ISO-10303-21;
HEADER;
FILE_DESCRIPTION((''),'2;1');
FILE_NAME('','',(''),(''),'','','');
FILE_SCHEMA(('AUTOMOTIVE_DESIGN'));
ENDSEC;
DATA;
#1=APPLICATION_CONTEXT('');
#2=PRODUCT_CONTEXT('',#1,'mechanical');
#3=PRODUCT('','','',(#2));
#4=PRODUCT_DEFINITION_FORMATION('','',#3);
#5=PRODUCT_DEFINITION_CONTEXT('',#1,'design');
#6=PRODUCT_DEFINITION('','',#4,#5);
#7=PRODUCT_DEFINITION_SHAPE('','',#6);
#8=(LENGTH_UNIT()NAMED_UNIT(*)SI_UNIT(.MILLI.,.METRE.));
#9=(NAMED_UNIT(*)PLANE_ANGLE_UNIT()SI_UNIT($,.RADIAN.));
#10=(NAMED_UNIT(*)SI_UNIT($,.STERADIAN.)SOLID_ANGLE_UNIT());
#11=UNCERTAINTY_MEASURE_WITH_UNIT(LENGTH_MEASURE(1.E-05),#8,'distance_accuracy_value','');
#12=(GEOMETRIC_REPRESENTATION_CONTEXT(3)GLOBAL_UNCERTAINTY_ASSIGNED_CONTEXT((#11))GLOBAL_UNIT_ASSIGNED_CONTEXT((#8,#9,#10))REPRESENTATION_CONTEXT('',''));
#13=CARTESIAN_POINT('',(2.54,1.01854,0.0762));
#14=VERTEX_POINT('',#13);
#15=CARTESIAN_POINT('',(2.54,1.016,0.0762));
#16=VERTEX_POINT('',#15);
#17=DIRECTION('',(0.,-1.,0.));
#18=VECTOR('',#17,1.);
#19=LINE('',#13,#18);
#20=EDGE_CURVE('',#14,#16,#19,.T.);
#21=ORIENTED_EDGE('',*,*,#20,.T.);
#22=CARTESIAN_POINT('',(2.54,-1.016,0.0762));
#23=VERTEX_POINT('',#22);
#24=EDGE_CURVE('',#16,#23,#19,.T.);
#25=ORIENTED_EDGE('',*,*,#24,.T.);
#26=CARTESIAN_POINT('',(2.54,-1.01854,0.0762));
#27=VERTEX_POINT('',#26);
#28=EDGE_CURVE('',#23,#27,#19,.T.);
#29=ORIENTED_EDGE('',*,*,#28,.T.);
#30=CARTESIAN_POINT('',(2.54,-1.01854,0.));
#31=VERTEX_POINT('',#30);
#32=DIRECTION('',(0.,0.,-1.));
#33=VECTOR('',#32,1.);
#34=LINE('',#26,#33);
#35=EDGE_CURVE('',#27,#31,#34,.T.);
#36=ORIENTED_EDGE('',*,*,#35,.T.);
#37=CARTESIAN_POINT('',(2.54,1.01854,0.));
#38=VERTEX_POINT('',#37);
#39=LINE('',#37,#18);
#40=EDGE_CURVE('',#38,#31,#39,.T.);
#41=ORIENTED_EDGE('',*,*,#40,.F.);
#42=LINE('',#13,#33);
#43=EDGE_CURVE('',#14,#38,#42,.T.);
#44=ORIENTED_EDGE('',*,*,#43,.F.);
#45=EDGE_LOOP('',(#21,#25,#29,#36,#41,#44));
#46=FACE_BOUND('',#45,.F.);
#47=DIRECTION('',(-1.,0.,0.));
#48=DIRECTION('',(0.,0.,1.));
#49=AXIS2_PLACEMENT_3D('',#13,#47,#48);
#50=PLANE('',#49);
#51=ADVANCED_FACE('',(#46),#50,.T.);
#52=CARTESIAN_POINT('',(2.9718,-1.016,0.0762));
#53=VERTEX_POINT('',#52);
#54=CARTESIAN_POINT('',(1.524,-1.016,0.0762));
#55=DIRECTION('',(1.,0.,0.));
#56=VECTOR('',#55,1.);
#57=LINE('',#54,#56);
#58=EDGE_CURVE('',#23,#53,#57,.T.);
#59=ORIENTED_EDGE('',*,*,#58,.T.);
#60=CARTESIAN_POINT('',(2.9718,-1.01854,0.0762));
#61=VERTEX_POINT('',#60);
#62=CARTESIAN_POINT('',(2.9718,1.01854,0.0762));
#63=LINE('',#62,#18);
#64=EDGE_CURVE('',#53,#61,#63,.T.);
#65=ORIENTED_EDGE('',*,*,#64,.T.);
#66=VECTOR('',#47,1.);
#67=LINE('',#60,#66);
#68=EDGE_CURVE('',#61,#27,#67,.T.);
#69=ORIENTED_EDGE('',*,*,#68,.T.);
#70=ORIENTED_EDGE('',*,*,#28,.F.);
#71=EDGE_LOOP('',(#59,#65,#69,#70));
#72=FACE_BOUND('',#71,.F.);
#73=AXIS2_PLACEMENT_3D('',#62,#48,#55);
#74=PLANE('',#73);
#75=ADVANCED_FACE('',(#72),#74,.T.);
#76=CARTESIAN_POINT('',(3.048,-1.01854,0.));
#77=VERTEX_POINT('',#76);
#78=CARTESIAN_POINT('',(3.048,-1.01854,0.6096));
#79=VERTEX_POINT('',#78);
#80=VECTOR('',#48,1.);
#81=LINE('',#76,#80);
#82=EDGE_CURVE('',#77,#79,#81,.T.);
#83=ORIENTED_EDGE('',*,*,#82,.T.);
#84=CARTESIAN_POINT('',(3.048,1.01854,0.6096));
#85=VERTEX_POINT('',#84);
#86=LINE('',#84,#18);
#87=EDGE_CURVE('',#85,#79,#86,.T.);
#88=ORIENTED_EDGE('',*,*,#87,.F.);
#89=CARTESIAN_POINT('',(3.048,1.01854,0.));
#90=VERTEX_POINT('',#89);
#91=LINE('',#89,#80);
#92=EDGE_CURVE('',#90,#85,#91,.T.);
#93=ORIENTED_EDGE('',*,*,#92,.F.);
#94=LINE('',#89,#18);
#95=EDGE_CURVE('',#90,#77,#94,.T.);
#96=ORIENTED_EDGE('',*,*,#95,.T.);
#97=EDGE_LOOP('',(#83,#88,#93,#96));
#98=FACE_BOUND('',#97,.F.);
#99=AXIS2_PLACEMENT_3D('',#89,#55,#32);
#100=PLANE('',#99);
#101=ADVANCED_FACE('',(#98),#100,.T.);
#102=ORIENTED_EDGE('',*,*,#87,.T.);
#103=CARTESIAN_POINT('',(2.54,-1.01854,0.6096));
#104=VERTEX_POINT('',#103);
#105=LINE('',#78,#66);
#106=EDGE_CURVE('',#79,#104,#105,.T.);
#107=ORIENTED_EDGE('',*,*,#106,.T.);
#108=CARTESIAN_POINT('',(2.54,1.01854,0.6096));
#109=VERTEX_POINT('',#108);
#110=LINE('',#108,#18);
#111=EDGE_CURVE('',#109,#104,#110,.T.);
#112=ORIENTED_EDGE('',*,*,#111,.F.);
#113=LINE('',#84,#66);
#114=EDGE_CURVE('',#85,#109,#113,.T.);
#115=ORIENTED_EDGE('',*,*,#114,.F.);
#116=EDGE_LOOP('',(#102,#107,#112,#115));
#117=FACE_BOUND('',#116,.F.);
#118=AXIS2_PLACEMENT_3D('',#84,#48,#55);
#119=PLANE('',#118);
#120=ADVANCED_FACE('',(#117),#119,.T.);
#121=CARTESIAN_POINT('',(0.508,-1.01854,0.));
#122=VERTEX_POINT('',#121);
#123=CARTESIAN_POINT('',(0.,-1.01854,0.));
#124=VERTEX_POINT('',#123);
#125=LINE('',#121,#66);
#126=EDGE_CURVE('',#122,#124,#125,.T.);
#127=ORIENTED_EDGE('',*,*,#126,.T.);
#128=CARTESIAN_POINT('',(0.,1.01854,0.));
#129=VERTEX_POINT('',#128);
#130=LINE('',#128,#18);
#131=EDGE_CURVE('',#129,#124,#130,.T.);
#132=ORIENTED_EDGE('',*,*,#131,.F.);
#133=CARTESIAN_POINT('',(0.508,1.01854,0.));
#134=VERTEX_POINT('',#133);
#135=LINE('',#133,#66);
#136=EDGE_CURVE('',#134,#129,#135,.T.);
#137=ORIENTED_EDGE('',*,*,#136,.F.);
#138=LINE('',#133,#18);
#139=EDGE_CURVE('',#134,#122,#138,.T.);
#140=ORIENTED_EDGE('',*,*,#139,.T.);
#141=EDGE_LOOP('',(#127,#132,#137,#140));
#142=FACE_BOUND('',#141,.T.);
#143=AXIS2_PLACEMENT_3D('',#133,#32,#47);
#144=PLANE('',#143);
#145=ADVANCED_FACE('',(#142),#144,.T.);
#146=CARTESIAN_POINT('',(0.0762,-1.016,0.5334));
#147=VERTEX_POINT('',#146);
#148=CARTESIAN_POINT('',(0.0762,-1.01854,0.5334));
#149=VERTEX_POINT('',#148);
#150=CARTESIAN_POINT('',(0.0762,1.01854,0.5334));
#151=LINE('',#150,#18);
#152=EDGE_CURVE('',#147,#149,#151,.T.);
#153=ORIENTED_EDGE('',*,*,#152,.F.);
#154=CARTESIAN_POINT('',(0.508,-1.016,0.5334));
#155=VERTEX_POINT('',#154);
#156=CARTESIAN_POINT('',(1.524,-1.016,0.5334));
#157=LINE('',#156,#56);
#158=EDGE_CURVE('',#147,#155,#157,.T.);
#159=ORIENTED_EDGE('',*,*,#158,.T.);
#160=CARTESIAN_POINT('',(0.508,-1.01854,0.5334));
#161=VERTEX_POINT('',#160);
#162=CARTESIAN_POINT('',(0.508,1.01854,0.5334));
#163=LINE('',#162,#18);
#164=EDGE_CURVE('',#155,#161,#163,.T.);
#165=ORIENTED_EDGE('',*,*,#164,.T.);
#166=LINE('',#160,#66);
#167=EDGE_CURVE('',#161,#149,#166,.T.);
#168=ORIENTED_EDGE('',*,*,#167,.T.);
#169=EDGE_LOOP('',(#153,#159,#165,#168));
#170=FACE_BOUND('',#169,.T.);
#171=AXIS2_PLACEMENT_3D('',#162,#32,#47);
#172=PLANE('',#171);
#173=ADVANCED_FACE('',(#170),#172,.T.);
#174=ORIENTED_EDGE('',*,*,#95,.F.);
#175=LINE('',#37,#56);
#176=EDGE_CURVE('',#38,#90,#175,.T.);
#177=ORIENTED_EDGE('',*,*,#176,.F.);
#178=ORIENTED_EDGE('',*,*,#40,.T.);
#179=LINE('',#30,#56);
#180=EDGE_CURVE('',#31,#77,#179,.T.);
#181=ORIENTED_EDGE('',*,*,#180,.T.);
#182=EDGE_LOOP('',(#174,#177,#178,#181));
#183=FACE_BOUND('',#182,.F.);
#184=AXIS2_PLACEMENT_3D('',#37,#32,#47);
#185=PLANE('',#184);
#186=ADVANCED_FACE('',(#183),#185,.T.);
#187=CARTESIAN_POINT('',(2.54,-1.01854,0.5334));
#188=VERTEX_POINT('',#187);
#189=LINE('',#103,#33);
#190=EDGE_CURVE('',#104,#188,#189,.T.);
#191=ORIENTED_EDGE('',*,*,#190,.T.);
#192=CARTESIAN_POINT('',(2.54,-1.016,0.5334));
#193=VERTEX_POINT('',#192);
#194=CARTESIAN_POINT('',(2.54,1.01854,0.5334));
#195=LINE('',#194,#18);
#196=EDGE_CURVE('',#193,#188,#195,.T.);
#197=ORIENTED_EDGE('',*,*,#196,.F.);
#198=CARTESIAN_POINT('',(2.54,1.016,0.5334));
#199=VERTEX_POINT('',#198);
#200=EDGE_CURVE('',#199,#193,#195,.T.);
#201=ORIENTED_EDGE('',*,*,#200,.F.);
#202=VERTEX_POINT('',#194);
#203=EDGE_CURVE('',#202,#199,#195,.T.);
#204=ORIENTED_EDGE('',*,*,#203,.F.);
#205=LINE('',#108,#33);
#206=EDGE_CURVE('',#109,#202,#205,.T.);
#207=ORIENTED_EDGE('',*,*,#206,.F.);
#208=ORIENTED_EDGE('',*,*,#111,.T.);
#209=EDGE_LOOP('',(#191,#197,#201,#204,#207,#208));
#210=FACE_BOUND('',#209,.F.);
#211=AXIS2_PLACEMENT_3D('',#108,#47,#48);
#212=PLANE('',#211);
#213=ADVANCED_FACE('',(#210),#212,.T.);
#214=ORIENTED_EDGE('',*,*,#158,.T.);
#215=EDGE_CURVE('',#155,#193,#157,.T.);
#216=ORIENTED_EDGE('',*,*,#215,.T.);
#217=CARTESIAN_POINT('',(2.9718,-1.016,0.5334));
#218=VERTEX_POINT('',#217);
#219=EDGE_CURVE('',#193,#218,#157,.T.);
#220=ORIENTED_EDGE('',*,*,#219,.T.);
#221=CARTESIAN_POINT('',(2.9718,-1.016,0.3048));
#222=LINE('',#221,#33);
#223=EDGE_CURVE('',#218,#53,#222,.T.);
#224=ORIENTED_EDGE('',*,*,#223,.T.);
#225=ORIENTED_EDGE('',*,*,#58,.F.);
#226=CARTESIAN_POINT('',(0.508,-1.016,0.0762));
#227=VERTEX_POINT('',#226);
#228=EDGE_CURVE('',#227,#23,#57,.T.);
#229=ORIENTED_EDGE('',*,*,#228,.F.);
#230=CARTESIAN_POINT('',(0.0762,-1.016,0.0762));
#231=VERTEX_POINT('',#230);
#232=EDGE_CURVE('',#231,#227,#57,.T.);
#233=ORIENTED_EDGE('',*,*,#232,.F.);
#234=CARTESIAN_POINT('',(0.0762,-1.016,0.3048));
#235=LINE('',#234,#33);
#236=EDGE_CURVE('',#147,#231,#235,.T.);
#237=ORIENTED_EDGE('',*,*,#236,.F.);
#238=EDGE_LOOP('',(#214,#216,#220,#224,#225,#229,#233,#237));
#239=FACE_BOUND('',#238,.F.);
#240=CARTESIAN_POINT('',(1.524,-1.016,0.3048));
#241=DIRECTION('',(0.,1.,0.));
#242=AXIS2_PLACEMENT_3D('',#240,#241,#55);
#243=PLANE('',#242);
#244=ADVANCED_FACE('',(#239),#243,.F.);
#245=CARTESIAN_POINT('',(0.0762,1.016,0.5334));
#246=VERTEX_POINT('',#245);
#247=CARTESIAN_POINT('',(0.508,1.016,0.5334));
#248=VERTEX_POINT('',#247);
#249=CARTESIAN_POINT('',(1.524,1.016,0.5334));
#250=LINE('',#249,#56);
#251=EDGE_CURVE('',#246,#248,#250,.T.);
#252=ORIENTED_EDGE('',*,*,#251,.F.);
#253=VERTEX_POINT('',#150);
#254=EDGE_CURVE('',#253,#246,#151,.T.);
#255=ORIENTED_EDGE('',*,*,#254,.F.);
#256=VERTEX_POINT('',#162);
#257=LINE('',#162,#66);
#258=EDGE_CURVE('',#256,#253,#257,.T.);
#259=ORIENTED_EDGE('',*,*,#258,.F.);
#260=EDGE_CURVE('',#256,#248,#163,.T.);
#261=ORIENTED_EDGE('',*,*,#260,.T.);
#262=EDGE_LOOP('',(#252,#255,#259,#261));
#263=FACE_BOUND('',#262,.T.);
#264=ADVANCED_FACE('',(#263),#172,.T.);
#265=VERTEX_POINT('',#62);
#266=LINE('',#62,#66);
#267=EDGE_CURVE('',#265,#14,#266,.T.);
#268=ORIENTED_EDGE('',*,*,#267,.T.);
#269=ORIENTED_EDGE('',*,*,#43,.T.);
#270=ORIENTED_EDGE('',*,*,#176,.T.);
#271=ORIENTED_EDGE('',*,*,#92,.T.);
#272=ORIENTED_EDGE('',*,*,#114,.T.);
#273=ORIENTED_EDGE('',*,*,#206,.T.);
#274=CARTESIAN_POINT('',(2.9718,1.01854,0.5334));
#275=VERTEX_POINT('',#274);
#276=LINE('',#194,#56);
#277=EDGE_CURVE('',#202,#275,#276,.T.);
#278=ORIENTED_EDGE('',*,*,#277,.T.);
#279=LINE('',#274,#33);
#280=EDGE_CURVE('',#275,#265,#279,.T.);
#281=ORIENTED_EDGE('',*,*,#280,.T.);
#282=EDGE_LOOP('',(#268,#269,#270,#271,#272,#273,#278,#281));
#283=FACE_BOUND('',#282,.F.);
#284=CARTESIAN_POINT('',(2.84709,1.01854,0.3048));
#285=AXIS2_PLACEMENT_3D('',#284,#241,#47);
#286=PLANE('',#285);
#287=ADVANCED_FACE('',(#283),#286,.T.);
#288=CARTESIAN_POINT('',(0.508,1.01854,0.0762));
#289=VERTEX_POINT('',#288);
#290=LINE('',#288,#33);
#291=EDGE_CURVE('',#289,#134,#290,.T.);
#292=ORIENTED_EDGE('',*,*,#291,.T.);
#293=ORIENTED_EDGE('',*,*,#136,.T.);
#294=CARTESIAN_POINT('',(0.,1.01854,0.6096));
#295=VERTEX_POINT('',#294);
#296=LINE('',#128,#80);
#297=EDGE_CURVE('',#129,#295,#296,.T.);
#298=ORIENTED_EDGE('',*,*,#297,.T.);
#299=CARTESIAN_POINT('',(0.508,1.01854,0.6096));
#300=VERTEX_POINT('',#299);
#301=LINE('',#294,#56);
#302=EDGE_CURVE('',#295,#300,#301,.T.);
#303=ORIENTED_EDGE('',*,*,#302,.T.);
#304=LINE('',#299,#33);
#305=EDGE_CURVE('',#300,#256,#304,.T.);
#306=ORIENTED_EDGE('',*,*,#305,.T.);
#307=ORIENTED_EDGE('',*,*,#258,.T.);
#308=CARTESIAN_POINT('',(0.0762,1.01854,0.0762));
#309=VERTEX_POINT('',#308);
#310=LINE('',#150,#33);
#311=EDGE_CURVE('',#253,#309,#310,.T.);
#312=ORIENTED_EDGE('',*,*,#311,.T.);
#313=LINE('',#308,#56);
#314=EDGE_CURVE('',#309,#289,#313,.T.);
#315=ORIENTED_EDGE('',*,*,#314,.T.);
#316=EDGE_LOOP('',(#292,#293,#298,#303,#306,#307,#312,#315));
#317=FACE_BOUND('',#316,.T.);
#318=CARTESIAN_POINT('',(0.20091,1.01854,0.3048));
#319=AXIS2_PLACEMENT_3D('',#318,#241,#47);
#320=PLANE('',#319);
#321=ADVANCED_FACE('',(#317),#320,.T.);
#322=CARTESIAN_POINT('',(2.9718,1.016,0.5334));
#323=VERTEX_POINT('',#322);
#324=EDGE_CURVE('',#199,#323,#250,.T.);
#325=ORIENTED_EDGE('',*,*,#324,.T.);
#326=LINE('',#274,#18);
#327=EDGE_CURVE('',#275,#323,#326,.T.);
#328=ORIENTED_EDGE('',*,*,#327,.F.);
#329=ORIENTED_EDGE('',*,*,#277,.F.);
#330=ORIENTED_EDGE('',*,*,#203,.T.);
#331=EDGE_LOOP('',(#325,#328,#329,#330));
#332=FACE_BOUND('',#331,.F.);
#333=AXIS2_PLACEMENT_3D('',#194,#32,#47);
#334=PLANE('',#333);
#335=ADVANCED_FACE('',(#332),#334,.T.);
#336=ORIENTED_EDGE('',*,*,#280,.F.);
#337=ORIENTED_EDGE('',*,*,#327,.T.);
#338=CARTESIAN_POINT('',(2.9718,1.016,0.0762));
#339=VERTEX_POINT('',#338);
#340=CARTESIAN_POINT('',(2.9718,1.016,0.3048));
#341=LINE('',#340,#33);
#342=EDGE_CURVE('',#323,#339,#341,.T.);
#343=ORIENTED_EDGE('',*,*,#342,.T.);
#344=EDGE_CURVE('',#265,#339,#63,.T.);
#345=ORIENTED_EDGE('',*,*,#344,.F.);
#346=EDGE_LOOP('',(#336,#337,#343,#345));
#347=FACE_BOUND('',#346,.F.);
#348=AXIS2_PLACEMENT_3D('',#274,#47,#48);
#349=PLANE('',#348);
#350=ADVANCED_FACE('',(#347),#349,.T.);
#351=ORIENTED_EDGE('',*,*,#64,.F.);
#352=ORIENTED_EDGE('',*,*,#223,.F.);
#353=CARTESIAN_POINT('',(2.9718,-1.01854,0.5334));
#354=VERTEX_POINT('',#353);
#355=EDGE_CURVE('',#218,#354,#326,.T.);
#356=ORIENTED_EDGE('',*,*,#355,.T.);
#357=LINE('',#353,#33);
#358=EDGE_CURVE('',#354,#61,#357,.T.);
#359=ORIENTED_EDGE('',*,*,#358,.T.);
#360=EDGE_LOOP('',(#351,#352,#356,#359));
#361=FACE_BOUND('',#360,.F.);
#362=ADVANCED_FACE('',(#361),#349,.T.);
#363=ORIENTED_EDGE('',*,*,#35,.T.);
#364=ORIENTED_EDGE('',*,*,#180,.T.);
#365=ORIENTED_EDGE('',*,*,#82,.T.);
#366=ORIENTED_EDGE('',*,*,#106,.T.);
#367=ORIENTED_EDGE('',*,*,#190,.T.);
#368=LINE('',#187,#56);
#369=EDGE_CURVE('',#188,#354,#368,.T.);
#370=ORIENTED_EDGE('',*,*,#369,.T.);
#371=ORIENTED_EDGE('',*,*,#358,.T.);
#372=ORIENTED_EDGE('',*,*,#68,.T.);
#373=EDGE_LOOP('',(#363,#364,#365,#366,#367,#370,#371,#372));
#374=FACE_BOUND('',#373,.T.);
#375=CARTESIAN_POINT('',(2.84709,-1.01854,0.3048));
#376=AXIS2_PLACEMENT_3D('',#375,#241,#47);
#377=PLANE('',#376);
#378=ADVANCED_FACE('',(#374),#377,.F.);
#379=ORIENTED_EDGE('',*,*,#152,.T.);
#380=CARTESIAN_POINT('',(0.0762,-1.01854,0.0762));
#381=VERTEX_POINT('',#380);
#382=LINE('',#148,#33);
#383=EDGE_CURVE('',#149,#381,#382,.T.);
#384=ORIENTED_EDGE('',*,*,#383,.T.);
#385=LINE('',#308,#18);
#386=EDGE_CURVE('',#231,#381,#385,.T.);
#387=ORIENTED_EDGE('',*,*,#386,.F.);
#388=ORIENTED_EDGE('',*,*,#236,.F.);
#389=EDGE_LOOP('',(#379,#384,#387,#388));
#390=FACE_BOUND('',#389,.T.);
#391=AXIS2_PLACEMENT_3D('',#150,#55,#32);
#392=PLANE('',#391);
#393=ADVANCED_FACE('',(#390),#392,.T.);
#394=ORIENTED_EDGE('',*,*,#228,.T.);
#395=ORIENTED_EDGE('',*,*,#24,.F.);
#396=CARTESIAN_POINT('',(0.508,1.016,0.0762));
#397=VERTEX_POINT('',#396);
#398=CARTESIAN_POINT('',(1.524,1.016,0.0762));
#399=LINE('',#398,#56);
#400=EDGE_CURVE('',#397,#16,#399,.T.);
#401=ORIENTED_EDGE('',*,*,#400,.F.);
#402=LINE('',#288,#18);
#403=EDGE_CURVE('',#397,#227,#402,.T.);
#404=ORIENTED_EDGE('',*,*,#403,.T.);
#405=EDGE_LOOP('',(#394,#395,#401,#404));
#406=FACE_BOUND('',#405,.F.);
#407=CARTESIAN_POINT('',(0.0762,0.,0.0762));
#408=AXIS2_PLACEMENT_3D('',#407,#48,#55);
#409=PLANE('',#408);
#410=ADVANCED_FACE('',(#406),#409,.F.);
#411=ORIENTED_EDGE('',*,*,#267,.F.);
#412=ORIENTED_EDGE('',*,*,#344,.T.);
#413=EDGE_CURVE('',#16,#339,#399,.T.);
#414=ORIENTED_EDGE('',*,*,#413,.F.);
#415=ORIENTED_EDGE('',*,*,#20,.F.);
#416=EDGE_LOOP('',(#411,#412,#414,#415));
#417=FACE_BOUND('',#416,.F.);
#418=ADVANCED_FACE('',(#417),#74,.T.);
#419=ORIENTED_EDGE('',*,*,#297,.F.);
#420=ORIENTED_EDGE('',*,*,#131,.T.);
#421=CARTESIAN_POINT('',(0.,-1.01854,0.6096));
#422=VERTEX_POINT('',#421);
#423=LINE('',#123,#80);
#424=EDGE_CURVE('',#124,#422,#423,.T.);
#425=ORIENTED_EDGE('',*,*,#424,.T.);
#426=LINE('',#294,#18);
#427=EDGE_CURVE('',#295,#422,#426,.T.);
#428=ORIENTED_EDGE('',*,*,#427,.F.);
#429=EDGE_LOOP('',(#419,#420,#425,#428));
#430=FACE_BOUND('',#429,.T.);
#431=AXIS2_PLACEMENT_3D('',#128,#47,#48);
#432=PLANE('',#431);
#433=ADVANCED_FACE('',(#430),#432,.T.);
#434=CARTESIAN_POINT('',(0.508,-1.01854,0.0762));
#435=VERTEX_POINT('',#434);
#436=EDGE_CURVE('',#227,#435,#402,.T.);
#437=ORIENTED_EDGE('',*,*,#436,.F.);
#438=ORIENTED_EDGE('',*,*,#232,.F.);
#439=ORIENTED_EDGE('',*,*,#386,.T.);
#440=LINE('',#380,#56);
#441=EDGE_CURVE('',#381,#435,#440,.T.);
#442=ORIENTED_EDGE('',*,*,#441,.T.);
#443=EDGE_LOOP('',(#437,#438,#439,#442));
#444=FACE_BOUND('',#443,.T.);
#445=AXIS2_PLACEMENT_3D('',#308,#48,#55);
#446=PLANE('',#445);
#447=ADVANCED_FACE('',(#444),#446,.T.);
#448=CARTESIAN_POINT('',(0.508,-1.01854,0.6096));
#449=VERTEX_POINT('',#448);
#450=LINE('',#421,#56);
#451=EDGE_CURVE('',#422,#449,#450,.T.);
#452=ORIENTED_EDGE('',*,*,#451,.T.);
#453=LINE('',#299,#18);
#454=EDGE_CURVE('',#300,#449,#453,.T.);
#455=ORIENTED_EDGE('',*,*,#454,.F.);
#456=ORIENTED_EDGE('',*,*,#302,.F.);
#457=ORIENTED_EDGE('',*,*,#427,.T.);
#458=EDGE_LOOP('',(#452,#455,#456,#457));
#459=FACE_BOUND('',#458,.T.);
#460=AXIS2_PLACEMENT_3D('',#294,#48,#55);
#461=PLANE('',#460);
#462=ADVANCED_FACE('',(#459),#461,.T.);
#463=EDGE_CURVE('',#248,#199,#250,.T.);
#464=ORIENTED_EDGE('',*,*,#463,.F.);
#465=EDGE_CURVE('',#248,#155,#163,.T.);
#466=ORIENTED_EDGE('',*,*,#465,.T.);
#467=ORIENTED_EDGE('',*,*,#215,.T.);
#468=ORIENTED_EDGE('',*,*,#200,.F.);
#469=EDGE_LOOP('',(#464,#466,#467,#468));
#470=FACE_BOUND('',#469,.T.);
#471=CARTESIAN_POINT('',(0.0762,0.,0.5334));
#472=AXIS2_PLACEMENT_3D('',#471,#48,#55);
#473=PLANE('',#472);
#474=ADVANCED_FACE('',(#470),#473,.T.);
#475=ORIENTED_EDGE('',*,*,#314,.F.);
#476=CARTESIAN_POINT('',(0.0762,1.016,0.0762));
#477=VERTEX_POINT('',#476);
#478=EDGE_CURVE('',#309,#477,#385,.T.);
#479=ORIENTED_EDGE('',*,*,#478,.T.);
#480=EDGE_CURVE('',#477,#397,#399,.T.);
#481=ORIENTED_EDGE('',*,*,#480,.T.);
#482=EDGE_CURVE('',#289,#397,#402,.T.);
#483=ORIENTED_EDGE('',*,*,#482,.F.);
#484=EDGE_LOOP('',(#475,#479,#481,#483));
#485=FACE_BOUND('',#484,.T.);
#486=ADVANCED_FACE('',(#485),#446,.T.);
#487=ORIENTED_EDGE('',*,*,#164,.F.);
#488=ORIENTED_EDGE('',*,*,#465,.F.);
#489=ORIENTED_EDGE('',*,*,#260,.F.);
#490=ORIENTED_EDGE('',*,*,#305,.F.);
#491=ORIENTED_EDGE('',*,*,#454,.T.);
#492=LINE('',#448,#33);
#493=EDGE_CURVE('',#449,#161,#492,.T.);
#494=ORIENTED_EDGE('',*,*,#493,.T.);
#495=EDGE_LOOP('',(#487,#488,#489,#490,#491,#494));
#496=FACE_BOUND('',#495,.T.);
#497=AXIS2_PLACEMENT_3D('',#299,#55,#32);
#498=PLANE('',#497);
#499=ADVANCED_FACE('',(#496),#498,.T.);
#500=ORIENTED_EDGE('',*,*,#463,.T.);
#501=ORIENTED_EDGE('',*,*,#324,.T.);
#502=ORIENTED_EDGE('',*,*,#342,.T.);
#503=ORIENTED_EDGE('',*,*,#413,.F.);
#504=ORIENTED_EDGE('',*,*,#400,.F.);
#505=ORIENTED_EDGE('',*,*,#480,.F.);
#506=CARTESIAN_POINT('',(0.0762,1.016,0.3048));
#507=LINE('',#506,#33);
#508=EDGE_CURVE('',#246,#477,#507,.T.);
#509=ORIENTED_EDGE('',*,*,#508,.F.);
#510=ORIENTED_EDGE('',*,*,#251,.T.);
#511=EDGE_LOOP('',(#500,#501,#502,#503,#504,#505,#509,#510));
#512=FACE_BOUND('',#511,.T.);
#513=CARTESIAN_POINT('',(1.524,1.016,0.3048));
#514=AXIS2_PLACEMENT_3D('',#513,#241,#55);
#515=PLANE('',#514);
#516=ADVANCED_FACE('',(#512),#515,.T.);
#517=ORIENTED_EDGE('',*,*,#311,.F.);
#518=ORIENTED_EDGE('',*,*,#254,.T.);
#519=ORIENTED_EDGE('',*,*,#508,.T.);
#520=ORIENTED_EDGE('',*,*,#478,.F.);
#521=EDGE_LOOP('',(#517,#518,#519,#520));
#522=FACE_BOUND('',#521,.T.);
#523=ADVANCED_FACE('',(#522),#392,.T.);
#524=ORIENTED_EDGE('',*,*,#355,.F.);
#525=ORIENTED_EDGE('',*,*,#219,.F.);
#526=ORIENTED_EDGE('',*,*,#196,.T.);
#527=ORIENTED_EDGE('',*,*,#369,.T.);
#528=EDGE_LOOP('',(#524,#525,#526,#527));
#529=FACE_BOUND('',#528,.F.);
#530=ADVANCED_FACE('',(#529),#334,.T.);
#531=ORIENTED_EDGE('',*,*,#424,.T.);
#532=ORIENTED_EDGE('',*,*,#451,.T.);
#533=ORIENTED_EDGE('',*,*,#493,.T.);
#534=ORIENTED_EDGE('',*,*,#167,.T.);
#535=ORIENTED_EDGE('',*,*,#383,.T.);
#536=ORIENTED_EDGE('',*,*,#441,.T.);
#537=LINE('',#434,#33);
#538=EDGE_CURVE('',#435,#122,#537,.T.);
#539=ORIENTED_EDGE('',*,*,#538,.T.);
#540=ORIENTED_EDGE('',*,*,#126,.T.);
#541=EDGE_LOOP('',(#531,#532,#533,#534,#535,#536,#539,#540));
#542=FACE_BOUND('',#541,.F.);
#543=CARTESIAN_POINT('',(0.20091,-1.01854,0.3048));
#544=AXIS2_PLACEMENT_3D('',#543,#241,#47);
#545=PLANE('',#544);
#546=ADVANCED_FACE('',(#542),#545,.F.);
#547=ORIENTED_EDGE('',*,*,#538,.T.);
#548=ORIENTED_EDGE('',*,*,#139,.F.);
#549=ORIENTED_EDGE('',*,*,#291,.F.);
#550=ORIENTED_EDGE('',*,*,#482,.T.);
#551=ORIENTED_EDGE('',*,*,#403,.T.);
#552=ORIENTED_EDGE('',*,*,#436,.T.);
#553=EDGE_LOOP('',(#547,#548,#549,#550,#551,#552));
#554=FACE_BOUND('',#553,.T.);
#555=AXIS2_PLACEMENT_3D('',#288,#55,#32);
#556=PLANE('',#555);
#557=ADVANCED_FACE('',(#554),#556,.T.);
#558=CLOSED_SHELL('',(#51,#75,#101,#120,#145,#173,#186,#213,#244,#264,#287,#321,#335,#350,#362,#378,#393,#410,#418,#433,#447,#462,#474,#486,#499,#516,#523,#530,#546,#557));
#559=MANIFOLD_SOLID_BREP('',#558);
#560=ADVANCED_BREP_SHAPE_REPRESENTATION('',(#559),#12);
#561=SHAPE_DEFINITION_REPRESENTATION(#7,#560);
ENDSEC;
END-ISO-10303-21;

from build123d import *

# Parameters (mm, degrees)
SKETCH2_W           = 2.8956
SKETCH2_H           = 0.4572
BASE_EXTRUDE_DEPTH  = 1.016
BOSS_EXTRUDE8_DEPTH = 2.03708


with BuildPart() as part:
    # Sketch2 → Base-Extrude (new body, symmetric)
    with BuildSketch(Plane(origin=(0, 0, 0), x_dir=(1, 0, 0), z_dir=(0, 1, 0))):
        with Locations((1.524, -0.3048)):
            Rectangle(SKETCH2_W, SKETCH2_H)
    extrude(amount=BASE_EXTRUDE_DEPTH, both=True)

    # Sketch3 → Boss-Extrude8 (add)
    with BuildSketch(Plane(origin=(0, 1.01854, 0), x_dir=(-1, 0, 0), z_dir=(0, 1, 0))):
        Polygon((-0.508, 0.6096), (-0.508, 0.5334), (-0.0762, 0.5334), (-0.0762, 0.0762), (-0.508, 0.0762), (-0.508, 0), (0, 0), (0, 0.6096), align=None)
    boss_extrude8 = extrude(amount=-BOSS_EXTRUDE8_DEPTH)

    # Mirror5: Boss-Extrude8 across plane
    add(boss_extrude8.mirror(Plane(origin=(1.524, 0, 0), x_dir=(0, 0, 1), z_dir=(1, 0, 0))))


solid = part.part
